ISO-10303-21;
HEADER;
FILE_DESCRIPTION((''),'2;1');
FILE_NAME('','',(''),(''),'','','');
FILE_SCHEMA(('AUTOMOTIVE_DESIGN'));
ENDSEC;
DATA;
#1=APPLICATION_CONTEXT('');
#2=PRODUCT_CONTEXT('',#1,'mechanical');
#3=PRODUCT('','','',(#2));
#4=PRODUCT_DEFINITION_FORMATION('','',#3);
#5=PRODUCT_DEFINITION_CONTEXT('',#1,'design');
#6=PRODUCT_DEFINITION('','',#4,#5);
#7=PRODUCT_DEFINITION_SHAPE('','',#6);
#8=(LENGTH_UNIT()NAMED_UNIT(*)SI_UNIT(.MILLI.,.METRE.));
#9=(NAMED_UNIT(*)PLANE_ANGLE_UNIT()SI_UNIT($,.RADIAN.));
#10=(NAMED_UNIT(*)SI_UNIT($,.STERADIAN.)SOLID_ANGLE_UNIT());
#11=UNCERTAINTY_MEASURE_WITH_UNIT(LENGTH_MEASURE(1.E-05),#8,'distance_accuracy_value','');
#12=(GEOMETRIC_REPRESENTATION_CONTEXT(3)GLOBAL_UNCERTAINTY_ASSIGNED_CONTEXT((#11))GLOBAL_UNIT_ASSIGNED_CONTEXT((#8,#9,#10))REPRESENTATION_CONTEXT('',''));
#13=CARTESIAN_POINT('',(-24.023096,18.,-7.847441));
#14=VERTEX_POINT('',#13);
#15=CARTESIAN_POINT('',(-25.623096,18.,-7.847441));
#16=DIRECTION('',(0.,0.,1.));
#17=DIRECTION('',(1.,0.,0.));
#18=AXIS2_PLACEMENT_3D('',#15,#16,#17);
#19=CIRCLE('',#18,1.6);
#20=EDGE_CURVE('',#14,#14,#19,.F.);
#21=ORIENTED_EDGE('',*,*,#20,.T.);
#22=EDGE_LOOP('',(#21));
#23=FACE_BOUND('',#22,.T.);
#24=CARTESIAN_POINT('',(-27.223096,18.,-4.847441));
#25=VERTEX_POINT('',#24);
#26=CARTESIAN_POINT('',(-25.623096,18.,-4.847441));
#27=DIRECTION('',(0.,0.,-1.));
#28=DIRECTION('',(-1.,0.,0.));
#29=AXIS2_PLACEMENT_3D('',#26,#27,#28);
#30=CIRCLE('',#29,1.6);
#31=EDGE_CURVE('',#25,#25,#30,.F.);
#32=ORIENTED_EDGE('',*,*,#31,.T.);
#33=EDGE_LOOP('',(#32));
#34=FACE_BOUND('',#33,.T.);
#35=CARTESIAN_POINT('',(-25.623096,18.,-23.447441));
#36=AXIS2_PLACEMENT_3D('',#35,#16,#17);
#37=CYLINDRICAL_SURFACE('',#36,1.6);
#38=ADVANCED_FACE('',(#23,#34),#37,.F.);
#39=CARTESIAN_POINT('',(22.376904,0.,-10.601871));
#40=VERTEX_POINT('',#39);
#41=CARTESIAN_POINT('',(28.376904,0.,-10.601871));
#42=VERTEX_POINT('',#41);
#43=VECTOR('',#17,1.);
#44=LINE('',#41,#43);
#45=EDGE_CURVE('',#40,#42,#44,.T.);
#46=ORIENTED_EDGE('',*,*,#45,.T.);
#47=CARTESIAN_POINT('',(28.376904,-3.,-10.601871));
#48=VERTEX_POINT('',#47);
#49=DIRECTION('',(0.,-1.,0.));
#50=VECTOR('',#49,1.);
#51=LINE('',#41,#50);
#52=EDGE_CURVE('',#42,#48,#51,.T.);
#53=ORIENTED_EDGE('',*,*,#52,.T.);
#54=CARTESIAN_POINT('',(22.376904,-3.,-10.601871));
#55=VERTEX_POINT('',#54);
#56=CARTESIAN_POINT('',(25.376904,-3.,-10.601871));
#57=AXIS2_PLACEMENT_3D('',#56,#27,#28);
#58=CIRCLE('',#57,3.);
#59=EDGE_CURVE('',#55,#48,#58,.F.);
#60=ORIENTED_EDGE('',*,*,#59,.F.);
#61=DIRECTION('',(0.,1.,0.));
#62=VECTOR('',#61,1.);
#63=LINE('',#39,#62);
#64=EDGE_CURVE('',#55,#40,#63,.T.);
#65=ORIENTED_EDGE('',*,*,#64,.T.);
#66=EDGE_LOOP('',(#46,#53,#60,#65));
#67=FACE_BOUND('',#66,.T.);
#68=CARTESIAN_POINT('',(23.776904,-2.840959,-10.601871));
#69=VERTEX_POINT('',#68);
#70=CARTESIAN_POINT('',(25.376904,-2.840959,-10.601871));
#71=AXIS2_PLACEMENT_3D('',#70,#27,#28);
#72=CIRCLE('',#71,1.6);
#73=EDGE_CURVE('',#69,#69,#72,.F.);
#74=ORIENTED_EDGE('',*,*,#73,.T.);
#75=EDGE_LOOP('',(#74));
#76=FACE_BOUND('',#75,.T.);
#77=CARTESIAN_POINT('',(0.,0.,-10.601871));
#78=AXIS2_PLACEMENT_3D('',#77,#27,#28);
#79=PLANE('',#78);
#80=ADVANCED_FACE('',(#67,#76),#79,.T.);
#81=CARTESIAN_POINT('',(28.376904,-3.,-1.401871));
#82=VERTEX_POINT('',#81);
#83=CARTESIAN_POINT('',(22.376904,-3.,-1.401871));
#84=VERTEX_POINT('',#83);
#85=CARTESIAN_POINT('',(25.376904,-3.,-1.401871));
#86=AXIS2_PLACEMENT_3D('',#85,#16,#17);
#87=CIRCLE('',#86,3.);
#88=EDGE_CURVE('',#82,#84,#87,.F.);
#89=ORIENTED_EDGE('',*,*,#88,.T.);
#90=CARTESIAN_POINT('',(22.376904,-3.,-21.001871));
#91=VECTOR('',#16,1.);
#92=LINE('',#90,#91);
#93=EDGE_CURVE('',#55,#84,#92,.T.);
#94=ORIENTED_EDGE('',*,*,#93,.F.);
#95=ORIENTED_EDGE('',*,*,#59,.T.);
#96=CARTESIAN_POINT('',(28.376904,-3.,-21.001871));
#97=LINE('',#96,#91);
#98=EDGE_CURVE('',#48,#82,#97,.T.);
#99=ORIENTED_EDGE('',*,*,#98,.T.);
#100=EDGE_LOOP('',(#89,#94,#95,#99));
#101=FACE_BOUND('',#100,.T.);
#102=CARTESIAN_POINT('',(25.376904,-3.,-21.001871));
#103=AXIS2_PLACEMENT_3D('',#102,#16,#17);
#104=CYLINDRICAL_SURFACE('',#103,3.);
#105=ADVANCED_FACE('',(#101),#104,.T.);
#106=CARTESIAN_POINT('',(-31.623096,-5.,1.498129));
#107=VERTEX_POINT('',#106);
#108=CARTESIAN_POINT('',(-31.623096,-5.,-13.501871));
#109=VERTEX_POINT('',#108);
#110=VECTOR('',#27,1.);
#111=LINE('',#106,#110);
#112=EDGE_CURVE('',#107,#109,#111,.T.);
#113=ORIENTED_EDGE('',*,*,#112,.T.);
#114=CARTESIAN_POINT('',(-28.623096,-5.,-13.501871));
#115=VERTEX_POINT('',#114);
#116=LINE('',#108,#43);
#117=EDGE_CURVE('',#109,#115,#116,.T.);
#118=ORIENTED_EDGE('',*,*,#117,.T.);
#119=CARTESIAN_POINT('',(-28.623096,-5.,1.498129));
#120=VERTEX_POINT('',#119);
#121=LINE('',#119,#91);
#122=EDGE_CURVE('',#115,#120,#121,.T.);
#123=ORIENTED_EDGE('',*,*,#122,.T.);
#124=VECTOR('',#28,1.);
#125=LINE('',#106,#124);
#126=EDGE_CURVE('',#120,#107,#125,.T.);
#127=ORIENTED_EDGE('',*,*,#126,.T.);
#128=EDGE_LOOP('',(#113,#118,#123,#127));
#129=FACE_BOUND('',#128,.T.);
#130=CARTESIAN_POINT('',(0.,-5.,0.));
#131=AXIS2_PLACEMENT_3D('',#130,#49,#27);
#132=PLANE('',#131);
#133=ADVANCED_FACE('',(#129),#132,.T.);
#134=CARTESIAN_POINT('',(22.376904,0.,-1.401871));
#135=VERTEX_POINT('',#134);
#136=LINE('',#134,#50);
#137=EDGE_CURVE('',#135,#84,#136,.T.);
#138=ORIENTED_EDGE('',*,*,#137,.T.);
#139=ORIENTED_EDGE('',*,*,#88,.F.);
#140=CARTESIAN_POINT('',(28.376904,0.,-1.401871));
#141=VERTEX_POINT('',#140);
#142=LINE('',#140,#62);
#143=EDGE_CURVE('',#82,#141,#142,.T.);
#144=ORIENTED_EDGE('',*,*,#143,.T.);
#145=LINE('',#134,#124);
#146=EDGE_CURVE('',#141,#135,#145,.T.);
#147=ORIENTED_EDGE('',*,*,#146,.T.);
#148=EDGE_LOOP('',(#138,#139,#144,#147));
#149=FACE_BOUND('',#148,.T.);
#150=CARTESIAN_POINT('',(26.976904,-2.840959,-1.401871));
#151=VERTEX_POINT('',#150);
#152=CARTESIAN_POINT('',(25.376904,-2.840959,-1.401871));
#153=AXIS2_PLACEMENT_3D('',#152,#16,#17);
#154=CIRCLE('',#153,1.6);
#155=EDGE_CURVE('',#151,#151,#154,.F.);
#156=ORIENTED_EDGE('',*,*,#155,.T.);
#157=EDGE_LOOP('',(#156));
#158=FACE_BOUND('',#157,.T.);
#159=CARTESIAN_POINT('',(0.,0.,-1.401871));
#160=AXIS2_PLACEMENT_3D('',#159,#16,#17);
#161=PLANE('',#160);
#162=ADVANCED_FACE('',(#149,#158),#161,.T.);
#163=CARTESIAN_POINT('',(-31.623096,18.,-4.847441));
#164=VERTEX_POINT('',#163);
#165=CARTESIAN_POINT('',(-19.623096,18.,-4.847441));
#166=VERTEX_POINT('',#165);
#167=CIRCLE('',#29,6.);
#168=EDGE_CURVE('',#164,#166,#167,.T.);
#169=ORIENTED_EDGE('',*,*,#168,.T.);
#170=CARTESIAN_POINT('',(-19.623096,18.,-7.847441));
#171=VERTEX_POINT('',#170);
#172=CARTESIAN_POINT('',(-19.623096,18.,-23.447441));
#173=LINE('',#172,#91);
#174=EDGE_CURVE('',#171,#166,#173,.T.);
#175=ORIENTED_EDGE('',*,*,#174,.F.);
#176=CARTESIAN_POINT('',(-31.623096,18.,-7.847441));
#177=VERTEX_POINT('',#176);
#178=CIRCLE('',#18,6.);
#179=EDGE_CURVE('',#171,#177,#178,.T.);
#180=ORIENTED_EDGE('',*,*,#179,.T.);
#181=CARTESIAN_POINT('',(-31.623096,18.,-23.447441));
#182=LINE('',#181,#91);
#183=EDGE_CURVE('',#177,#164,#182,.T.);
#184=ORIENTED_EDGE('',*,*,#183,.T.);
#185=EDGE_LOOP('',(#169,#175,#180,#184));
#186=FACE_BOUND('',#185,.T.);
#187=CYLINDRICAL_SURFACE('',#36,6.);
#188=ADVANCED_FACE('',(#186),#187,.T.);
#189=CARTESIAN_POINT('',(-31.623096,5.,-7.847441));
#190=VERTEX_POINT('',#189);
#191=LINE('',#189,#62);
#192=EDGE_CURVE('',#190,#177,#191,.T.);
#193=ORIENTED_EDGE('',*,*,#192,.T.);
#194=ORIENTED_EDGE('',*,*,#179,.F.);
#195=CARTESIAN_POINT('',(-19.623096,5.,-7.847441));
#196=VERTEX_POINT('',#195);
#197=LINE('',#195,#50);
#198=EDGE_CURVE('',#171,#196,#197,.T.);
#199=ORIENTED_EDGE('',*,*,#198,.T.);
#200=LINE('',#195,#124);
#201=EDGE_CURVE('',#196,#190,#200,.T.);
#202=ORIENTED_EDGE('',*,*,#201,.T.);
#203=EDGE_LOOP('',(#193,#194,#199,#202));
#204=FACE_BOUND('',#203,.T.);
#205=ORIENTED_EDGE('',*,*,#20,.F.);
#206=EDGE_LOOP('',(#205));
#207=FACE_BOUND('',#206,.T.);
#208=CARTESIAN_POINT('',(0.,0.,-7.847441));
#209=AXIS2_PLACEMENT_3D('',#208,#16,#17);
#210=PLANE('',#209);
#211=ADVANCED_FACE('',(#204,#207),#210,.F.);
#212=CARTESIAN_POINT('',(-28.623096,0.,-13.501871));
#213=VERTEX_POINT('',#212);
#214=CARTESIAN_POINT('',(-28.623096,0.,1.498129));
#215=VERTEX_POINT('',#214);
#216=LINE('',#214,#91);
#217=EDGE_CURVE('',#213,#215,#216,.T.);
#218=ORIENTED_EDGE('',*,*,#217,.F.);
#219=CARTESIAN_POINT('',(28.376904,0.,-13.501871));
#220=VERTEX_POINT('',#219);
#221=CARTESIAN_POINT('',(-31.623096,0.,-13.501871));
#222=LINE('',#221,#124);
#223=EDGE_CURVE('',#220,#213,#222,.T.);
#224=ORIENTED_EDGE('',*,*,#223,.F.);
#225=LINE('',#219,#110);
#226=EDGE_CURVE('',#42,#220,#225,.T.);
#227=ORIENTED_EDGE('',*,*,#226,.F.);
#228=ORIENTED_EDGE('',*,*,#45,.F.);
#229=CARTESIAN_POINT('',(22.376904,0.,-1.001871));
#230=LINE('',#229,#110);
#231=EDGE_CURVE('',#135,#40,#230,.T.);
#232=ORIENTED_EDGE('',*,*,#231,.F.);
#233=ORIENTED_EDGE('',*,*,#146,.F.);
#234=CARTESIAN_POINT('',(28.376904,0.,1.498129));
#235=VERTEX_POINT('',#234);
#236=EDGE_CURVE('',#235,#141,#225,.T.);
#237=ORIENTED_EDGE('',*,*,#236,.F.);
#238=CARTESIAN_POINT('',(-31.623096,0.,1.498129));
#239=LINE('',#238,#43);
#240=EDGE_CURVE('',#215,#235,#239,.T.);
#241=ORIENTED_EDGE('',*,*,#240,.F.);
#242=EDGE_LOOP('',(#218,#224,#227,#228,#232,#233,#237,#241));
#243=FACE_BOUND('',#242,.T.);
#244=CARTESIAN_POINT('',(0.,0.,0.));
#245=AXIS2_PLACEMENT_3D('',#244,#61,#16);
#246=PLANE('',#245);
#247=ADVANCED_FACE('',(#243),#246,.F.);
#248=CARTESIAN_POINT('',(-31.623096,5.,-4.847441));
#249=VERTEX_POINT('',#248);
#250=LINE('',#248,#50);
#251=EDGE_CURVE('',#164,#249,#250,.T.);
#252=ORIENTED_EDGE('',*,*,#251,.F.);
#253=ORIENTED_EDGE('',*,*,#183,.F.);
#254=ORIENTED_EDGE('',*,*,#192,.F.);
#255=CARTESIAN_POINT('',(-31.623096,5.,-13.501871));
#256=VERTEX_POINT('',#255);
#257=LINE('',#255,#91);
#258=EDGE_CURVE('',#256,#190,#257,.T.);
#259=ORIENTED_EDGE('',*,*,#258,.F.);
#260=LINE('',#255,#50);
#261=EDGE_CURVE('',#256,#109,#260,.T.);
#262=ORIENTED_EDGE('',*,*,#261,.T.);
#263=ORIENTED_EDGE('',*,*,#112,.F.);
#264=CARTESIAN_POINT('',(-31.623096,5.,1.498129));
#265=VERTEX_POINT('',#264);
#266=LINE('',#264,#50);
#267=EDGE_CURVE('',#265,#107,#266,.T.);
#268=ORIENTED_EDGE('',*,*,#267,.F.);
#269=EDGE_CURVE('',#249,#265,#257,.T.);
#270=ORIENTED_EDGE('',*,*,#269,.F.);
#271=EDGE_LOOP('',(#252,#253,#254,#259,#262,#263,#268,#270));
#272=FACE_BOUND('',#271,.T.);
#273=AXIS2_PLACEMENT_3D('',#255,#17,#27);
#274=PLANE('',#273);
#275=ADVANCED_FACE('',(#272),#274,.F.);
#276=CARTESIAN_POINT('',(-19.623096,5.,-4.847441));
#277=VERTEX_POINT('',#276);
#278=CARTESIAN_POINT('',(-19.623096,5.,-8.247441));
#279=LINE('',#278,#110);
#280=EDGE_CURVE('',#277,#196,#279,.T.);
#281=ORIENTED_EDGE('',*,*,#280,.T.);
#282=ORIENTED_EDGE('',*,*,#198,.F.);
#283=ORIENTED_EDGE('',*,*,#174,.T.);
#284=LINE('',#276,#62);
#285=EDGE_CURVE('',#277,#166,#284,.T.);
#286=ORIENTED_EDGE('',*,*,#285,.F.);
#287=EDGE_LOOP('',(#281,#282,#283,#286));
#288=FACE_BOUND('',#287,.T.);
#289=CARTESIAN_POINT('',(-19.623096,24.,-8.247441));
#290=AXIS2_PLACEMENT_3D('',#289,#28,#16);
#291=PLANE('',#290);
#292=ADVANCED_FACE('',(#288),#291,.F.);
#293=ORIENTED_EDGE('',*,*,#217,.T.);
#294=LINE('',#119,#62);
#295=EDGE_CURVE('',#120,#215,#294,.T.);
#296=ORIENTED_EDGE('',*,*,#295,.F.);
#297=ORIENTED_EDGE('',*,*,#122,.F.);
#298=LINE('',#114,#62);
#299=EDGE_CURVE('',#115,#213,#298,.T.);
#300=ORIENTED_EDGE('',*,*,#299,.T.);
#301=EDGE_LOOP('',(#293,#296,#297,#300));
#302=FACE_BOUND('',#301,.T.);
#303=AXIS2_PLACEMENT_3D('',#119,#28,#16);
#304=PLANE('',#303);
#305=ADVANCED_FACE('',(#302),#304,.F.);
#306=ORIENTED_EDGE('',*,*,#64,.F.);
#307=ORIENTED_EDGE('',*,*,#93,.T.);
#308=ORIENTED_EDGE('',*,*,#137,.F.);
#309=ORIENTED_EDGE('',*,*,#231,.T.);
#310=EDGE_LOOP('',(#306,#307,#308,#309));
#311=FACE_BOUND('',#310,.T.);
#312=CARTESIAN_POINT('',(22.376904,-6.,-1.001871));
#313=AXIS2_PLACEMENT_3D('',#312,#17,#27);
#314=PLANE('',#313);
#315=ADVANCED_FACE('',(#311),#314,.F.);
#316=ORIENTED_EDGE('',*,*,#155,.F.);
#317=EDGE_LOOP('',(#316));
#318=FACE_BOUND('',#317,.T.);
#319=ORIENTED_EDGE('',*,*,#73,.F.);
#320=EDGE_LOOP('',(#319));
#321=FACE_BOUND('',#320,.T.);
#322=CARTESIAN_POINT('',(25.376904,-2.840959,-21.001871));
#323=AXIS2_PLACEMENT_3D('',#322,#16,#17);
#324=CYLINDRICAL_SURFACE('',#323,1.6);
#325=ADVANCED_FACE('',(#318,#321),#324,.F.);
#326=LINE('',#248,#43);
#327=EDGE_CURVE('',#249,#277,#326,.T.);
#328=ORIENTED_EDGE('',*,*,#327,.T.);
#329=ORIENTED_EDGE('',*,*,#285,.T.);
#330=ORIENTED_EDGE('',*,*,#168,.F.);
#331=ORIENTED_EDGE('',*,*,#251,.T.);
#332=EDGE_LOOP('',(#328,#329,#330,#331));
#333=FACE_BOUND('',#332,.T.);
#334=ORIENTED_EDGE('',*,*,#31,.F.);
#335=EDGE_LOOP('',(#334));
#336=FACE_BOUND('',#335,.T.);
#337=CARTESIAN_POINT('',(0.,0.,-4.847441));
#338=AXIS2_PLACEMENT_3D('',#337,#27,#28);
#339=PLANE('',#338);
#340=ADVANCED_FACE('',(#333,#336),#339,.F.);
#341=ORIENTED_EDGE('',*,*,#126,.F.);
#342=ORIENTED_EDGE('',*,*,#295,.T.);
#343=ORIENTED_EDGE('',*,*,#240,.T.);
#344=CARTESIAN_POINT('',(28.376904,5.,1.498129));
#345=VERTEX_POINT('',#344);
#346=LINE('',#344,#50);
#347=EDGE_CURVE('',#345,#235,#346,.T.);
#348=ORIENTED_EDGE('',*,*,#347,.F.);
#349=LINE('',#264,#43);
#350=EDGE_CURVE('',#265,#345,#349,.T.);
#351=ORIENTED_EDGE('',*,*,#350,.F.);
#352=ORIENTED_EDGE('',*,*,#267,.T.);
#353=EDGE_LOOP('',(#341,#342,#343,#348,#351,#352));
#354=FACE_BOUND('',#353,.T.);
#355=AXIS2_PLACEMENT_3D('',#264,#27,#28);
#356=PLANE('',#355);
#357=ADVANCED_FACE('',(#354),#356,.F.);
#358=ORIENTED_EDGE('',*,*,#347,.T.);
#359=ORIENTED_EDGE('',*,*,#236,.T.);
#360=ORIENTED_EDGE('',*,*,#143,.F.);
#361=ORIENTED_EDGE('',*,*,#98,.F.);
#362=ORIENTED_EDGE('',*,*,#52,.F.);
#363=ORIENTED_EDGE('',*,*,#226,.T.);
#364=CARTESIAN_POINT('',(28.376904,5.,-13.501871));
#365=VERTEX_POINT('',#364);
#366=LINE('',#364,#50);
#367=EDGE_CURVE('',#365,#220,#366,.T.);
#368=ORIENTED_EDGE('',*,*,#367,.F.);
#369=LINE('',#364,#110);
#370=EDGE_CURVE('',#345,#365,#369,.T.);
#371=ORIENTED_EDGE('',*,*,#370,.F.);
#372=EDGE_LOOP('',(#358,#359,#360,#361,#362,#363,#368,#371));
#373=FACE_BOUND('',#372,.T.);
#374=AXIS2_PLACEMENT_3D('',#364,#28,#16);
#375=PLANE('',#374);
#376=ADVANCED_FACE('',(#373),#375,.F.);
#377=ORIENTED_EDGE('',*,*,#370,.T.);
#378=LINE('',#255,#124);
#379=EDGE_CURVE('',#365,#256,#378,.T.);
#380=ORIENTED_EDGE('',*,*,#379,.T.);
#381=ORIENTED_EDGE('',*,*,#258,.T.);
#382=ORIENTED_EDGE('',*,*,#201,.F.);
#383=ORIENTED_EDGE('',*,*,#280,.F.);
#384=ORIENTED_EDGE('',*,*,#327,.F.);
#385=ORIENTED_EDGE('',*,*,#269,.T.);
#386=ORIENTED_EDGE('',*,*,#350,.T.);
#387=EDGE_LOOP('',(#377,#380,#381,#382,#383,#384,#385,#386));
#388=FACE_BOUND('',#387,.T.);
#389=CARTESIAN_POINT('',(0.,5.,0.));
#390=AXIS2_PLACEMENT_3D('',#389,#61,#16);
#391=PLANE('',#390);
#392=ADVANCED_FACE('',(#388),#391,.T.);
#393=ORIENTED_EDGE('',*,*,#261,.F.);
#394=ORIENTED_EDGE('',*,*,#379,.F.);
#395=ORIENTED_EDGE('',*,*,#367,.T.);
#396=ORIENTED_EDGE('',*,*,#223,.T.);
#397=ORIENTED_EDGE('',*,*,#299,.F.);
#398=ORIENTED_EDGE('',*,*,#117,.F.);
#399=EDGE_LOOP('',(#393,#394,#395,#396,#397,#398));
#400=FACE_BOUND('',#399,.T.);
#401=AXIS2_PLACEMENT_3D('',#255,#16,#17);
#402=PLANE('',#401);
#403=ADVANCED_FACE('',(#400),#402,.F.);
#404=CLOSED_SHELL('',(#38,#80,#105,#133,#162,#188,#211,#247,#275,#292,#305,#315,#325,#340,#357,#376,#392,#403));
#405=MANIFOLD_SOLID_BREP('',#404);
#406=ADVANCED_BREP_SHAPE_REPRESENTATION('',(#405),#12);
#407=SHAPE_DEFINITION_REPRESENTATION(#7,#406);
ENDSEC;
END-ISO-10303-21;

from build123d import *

# Parameters (mm, degrees)
SKETCH_1_W          = 60
SKETCH_1_H          = 15
EXTRUDE_1_DEPTH     = 5
SKETCH_2_W          = 3
SKETCH_2_H          = 15
EXTRUDE_2_DEPTH     = 5
SKETCH_3_W          = 6
SKETCH_3_H          = 10
EXTRUDE_3_DEPTH     = 6
CUT_EXTRUDE_1_DEPTH = 20
SKETCH_5_R          = 1.6
CUT_EXTRUDE_2_DEPTH = 20
SKETCH_6_W          = 12
SKETCH_6_H          = 3.8
EXTRUDE_5_DEPTH     = 19
SKETCH_10_R         = 1.6
CUT_EXTRUDE_4_DEPTH = 19
CUT_EXTRUDE_5_DEPTH = 19
SKETCH_12_W         = 12
SKETCH_12_H         = 19
CUT_EXTRUDE_6_DEPTH = 0.4
SKETCH_13_W         = 12
SKETCH_13_H         = 19
CUT_EXTRUDE_7_DEPTH = 0.4
SKETCH_14_W         = 6
SKETCH_14_H         = 6
CUT_EXTRUDE_8_DEPTH = 0.4
SKETCH_15_W         = 6
SKETCH_15_H         = 6
CUT_EXTRUDE_9_DEPTH = 0.4


with BuildPart() as part:
    # 草图1 → 凸台-拉伸1 (new body)
    with BuildSketch(Plane(origin=(0, 0, 0), x_dir=(1, 0, 0), z_dir=(0, 1, 0))):
        with Locations((-1.623095887, 6.001870645)):
            Rectangle(SKETCH_1_W, SKETCH_1_H)
    extrude(amount=EXTRUDE_1_DEPTH)

    # 草图2 → 凸台-拉伸2 (add)
    with BuildSketch(Plane.XZ):
        with Locations((-30.123095887, -6.001870645)):
            Rectangle(SKETCH_2_W, SKETCH_2_H)
    extrude(amount=EXTRUDE_2_DEPTH)

    # 草图3 → 凸台-拉伸3 (add)
    with BuildSketch(Plane.XZ):
        with Locations((25.376904113, -6.001870645)):
            Rectangle(SKETCH_3_W, SKETCH_3_H)
    extrude(amount=EXTRUDE_3_DEPTH)

    # 草图4 → 切除-拉伸1 (cut)
    with BuildSketch(Plane.XY.offset(-1.001870645)):
        with BuildLine():
            ThreePointArc((28.376904113, -3), (27.498224456, -5.121320344), (25.376904113, -6))
            Line((25.376904113, -6), (28.376904113, -6))
            Line((28.376904113, -6), (28.376904113, -3))
        make_face()
        with BuildLine():
            ThreePointArc((25.376904113, -6), (23.255583769, -5.121320344), (22.376904113, -3))
            Line((22.376904113, -3), (22.376904113, -6))
            Line((22.376904113, -6), (25.376904113, -6))
        make_face()
    extrude(amount=-CUT_EXTRUDE_1_DEPTH, mode=Mode.SUBTRACT)

    # 草图5 → 切除-拉伸2 (cut)
    with BuildSketch(Plane.XY.offset(-1.001870645)):
        with Locations((25.376904113, -2.840959341)):
            Circle(SKETCH_5_R)
    extrude(amount=-CUT_EXTRUDE_2_DEPTH, mode=Mode.SUBTRACT)

    # 草图6 → 凸台-拉伸5 (add)
    with BuildSketch(Plane(origin=(0, 5, 0), x_dir=(1, 0, 0), z_dir=(0, 1, 0))):
        with Locations((-25.623095887, 6.347440939)):
            Rectangle(SKETCH_6_W, SKETCH_6_H)
    extrude(amount=EXTRUDE_5_DEPTH)

    # 草图10 → 切除-拉伸4 (cut)
    with BuildSketch(Plane.XY.offset(-4.447440939)):
        with Locations((-25.623095887, 18)):
            Circle(SKETCH_10_R)
    extrude(amount=-CUT_EXTRUDE_4_DEPTH, mode=Mode.SUBTRACT)

    # 草图11 → 切除-拉伸5 (cut)
    with BuildSketch(Plane.XY.offset(-4.447440939)):
        with BuildLine():
            Line((-31.623095887, 24), (-31.623095887, 18))
            ThreePointArc((-31.623095887, 18), (-29.865736574, 22.242640687), (-25.623095887, 24))
            Line((-25.623095887, 24), (-31.623095887, 24))
        make_face()
        with BuildLine():
            Line((-19.623095887, 24), (-25.623095887, 24))
            ThreePointArc((-25.623095887, 24), (-21.3804552, 22.242640687), (-19.623095887, 18))
            Line((-19.623095887, 18), (-19.623095887, 24))
        make_face()
    extrude(amount=-CUT_EXTRUDE_5_DEPTH, mode=Mode.SUBTRACT)

    # 草图12 → 切除-拉伸6 (cut)
    with BuildSketch(Plane.XY.offset(-4.447440939)):
        with Locations((-25.623095887, 14.5)):
            Rectangle(SKETCH_12_W, SKETCH_12_H)
    extrude(amount=-CUT_EXTRUDE_6_DEPTH, mode=Mode.SUBTRACT)

    # 草图13 → 切除-拉伸7 (cut)
    with BuildSketch(Plane(origin=(0, 0, -8.247440939), x_dir=(-1, 0, 0), z_dir=(0, 0, -1))):
        with Locations((25.623095887, 14.5)):
            Rectangle(SKETCH_13_W, SKETCH_13_H)
    extrude(amount=-CUT_EXTRUDE_7_DEPTH, mode=Mode.SUBTRACT)

    # 草图14 → 切除-拉伸8 (cut)
    with BuildSketch(Plane(origin=(0, 0, -11.001870645), x_dir=(-1, 0, 0), z_dir=(0, 0, -1))):
        with Locations((-25.376904113, -3)):
            Rectangle(SKETCH_14_W, SKETCH_14_H)
    extrude(amount=-CUT_EXTRUDE_8_DEPTH, mode=Mode.SUBTRACT)

    # 草图15 → 切除-拉伸9 (cut)
    with BuildSketch(Plane.XY.offset(-1.001870645)):
        with Locations((25.376904113, -3)):
            Rectangle(SKETCH_15_W, SKETCH_15_H)
    extrude(amount=-CUT_EXTRUDE_9_DEPTH, mode=Mode.SUBTRACT)


solid = part.part
